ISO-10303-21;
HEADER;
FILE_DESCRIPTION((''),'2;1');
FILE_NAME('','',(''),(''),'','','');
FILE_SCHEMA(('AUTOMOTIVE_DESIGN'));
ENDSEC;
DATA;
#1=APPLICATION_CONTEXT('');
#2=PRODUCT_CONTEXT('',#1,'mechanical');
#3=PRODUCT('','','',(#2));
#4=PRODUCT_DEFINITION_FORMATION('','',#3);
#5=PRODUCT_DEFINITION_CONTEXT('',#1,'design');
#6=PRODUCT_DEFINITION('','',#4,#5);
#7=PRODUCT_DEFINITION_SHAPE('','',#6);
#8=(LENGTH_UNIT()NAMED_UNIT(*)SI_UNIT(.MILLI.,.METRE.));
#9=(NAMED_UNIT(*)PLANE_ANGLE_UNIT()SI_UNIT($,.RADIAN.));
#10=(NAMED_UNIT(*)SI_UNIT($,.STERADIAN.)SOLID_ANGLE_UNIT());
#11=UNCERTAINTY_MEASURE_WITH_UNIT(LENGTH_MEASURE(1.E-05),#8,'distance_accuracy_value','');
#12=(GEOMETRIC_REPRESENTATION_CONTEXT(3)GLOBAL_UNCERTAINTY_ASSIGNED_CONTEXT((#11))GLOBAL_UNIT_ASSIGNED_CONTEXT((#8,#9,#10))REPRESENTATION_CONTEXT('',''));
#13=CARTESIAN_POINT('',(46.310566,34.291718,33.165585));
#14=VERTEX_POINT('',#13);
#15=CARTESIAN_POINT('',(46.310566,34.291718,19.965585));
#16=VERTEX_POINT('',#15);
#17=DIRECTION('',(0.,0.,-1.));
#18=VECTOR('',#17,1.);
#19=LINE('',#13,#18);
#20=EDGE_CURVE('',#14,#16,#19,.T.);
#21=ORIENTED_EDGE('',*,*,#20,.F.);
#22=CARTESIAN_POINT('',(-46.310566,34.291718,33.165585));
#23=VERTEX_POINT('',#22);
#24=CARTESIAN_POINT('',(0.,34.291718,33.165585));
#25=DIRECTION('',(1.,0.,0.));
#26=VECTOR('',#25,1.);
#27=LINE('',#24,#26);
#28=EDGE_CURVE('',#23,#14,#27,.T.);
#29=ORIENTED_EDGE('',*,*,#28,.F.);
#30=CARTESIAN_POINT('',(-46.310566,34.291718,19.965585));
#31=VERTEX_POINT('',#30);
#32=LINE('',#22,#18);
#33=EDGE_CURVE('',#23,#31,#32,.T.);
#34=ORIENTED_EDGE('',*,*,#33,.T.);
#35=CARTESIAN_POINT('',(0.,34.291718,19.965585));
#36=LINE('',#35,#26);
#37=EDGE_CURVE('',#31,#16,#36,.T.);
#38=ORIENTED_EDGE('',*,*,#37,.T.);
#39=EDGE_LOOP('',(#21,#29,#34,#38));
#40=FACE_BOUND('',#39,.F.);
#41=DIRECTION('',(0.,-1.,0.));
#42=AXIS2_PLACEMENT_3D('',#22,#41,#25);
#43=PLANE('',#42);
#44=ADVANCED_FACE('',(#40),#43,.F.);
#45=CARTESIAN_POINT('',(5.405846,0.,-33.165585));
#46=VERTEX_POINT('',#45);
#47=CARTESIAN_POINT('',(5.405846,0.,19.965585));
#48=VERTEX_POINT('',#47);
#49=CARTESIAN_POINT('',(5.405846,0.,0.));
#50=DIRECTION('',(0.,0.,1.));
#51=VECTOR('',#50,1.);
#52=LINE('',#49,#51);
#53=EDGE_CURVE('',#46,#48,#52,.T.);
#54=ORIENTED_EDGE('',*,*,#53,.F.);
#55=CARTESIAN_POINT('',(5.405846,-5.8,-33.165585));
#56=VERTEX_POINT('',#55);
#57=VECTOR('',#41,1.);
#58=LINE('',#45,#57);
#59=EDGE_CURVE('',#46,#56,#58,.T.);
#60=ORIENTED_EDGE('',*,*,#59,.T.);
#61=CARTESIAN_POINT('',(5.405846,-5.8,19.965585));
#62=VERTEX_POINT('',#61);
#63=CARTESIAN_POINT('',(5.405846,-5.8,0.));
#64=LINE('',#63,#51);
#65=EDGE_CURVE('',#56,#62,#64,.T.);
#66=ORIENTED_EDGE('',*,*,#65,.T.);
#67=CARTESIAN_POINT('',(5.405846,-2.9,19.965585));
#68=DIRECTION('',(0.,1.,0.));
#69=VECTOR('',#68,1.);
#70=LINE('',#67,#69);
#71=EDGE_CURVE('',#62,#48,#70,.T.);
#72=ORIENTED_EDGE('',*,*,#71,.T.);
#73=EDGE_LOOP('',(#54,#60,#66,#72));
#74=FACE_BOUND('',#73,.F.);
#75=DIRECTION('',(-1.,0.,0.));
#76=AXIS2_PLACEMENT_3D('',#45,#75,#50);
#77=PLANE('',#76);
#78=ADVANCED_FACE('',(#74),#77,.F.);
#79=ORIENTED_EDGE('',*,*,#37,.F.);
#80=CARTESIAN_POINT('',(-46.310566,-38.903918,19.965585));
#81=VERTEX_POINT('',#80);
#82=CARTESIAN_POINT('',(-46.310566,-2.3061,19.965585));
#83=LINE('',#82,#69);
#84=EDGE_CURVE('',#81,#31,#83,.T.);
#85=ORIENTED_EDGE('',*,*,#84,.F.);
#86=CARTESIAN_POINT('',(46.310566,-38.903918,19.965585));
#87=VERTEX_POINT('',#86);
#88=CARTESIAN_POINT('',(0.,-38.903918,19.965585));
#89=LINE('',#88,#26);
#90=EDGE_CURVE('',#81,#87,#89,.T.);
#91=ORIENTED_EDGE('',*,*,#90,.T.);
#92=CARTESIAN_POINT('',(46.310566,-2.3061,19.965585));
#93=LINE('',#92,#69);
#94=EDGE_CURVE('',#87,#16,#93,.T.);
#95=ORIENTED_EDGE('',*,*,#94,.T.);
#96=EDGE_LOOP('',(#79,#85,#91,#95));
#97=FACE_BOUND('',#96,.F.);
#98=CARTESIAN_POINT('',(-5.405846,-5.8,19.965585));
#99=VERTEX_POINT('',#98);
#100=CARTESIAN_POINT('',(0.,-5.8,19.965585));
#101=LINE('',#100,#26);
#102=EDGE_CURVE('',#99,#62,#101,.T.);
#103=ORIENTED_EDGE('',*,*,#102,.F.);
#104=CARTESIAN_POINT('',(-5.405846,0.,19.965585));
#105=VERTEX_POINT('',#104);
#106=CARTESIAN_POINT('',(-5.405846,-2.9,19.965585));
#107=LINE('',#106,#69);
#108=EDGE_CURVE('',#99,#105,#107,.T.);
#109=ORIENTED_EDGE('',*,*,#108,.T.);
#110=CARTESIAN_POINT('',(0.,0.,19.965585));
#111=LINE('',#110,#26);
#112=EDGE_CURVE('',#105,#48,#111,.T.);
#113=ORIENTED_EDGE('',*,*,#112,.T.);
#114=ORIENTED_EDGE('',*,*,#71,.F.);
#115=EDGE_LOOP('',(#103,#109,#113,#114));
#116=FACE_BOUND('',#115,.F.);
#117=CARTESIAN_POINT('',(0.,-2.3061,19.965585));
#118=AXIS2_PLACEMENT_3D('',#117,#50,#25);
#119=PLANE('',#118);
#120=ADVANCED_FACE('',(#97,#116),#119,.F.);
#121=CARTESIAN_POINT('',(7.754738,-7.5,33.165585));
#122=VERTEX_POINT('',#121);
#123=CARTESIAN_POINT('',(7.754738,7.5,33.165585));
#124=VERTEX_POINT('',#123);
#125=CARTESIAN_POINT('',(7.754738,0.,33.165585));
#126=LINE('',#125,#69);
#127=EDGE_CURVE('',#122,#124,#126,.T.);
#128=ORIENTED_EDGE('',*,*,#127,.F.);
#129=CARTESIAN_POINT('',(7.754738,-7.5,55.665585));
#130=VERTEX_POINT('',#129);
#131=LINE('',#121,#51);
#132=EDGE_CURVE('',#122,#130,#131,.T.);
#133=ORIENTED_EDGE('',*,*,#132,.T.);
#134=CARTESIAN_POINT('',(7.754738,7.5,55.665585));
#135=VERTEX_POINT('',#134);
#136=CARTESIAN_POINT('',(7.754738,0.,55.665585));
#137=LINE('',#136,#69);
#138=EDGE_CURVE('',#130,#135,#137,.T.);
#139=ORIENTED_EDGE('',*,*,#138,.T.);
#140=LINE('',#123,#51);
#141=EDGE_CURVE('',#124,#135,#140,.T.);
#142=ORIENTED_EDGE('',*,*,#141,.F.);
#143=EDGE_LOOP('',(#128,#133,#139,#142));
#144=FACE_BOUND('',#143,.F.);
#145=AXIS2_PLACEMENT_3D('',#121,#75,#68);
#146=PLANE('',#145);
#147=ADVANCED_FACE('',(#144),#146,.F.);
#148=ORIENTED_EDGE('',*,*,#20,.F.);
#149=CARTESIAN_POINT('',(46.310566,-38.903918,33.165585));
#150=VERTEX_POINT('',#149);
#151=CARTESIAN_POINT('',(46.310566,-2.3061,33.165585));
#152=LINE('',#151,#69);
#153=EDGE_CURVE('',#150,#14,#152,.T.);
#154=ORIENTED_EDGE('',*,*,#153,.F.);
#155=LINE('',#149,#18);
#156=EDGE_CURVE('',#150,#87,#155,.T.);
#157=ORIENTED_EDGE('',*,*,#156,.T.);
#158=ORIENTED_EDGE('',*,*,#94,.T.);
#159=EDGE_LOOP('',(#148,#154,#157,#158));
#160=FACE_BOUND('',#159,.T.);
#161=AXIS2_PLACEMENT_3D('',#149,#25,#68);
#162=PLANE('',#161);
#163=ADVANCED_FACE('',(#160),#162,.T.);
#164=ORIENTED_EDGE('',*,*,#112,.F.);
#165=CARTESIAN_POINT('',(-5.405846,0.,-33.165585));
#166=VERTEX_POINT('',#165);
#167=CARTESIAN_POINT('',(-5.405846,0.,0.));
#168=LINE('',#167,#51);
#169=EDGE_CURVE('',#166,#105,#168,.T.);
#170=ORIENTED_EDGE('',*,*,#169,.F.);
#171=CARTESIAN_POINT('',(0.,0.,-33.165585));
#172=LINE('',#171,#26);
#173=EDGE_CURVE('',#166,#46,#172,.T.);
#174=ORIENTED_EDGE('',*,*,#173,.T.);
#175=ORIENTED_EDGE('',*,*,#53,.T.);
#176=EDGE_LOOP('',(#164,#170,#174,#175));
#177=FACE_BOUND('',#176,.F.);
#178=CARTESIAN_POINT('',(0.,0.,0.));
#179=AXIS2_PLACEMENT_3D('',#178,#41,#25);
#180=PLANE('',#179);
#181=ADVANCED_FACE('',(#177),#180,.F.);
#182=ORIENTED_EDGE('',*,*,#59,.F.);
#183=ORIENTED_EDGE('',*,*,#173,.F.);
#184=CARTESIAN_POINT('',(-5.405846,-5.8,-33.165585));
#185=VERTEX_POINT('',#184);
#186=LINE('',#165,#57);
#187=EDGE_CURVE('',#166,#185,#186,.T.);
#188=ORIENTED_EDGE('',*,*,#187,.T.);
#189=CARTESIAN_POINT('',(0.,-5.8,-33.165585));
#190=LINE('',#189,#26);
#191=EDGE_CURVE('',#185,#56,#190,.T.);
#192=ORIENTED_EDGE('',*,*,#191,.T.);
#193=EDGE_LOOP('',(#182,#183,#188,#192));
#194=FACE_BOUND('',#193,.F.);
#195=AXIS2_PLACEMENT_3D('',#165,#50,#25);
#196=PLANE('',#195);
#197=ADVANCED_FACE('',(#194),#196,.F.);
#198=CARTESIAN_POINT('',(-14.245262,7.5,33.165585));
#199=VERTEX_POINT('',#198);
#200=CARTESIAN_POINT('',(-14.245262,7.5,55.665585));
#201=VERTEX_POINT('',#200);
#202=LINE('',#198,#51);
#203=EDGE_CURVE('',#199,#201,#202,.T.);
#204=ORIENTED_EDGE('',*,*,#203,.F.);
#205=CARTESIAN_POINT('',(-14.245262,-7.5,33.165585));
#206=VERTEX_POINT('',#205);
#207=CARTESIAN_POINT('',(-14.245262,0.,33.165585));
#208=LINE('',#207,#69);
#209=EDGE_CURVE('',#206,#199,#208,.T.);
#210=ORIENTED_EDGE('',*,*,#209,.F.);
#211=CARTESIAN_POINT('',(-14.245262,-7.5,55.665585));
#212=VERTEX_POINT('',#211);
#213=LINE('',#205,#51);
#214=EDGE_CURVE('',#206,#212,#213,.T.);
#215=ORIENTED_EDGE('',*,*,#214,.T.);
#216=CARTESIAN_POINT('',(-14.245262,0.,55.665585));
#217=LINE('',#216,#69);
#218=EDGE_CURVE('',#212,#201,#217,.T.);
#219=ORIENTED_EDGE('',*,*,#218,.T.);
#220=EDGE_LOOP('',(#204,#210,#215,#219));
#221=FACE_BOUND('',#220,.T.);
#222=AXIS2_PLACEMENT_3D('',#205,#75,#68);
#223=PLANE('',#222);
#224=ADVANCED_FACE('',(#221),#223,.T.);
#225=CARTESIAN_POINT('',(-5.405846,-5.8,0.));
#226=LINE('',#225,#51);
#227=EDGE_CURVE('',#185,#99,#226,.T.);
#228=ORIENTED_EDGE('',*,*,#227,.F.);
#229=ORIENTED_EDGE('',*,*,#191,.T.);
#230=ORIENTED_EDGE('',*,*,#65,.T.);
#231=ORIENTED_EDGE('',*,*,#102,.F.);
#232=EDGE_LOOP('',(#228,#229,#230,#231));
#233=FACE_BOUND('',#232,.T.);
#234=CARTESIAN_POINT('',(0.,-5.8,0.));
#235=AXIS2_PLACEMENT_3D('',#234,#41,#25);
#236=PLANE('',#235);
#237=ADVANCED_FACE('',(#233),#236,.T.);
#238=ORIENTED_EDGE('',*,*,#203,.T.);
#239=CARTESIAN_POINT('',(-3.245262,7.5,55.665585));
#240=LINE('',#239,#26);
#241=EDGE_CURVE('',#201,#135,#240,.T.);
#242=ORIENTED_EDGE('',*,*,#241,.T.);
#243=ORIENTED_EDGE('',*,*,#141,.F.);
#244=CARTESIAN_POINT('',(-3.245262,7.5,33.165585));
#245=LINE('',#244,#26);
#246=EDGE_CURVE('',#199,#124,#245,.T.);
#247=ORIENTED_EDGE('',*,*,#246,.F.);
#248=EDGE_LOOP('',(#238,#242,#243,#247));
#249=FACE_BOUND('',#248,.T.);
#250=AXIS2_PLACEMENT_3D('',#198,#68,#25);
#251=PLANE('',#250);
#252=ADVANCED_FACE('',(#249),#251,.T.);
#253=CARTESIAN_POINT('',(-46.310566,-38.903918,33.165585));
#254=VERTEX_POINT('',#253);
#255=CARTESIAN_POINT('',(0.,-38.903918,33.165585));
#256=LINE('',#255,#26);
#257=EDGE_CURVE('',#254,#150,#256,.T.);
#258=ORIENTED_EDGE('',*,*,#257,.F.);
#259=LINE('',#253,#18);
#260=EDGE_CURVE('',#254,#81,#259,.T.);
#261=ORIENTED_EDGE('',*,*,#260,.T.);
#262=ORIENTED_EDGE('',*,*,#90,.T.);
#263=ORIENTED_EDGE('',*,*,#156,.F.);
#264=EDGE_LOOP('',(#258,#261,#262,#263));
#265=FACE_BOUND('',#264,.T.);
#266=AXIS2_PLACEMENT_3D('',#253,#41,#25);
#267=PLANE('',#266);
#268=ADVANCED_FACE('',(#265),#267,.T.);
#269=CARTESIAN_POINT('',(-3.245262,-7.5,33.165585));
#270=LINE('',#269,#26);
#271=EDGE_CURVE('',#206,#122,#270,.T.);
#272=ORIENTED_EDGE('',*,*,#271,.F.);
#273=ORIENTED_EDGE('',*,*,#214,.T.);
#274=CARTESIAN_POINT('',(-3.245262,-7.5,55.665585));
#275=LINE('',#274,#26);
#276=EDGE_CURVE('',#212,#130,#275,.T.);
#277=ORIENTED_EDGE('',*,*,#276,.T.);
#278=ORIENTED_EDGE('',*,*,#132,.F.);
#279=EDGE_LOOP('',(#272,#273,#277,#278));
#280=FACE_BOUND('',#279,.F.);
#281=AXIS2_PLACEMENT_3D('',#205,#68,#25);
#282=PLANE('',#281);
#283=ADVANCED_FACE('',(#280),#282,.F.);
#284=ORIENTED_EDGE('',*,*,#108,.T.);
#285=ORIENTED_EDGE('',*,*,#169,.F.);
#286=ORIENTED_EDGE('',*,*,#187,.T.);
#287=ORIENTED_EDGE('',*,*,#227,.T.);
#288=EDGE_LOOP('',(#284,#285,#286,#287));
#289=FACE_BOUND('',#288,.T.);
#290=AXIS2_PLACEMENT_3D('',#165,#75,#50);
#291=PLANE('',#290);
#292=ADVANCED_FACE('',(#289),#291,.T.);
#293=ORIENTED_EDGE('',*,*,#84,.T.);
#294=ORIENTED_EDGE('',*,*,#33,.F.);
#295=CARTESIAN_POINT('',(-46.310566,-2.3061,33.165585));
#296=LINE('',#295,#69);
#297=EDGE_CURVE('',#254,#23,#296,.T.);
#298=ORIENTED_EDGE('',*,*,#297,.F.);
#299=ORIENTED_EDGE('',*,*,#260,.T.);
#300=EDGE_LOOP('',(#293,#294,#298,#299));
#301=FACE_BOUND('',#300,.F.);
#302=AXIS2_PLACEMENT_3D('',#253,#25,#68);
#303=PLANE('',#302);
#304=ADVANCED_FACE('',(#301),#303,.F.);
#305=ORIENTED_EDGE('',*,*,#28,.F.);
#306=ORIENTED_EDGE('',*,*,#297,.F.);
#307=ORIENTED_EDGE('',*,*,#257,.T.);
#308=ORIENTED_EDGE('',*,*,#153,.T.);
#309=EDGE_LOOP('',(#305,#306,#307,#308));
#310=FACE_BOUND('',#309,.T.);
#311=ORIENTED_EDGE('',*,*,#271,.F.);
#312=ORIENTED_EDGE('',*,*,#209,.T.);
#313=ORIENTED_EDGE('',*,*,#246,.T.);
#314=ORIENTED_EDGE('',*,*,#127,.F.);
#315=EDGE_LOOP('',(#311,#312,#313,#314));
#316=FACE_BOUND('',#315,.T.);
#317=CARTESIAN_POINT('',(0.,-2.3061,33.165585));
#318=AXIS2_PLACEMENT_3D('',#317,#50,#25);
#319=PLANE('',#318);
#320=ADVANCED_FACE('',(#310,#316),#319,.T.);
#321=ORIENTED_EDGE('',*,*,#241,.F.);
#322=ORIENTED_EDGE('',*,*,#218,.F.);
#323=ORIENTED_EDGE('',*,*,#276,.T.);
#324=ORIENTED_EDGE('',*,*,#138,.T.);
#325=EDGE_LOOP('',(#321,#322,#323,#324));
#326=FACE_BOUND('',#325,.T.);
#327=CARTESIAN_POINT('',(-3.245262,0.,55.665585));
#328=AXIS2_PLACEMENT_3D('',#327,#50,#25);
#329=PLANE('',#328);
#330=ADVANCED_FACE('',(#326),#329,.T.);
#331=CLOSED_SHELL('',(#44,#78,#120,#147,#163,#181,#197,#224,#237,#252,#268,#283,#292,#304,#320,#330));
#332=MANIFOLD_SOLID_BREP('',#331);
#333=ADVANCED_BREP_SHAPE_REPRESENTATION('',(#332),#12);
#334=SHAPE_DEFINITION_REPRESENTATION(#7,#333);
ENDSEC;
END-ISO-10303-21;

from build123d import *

# Parameters (mm, degrees)
F0_W     = 10.811692
F0_H     = 66.33117
F1_DEPTH = 5.8
F2_W     = 92.621132
F2_H     = 73.195636
F2_W_2   = 10.811692
F2_H_2   = 5.8
F3_DEPTH = 13.2
F4_W     = 22
F4_H     = 15
F5_DEPTH = 22.5


with BuildPart() as f1:
    # F0 (on Front) → F1 (new body)
    with BuildSketch(Plane.XZ):
        Rectangle(F0_W, F0_H)
    extrude(amount=F1_DEPTH)

    # F2 (on face) → F3 (join)
    with BuildSketch(Plane.XY.offset(33.165585)):
        with Locations((0, -2.3061)):
            Rectangle(F2_W, F2_H)
        with Locations((0, -2.9)):
            Rectangle(F2_W_2, F2_H_2, mode=Mode.SUBTRACT)
    extrude(amount=-F3_DEPTH)

    # F4 (on face) → F5 (join)
    with BuildSketch(Plane.XY.offset(33.165585)):
        with Locations((-3.245262, 0)):
            Rectangle(F4_W, F4_H)
    extrude(amount=F5_DEPTH)


solid = f1.part
